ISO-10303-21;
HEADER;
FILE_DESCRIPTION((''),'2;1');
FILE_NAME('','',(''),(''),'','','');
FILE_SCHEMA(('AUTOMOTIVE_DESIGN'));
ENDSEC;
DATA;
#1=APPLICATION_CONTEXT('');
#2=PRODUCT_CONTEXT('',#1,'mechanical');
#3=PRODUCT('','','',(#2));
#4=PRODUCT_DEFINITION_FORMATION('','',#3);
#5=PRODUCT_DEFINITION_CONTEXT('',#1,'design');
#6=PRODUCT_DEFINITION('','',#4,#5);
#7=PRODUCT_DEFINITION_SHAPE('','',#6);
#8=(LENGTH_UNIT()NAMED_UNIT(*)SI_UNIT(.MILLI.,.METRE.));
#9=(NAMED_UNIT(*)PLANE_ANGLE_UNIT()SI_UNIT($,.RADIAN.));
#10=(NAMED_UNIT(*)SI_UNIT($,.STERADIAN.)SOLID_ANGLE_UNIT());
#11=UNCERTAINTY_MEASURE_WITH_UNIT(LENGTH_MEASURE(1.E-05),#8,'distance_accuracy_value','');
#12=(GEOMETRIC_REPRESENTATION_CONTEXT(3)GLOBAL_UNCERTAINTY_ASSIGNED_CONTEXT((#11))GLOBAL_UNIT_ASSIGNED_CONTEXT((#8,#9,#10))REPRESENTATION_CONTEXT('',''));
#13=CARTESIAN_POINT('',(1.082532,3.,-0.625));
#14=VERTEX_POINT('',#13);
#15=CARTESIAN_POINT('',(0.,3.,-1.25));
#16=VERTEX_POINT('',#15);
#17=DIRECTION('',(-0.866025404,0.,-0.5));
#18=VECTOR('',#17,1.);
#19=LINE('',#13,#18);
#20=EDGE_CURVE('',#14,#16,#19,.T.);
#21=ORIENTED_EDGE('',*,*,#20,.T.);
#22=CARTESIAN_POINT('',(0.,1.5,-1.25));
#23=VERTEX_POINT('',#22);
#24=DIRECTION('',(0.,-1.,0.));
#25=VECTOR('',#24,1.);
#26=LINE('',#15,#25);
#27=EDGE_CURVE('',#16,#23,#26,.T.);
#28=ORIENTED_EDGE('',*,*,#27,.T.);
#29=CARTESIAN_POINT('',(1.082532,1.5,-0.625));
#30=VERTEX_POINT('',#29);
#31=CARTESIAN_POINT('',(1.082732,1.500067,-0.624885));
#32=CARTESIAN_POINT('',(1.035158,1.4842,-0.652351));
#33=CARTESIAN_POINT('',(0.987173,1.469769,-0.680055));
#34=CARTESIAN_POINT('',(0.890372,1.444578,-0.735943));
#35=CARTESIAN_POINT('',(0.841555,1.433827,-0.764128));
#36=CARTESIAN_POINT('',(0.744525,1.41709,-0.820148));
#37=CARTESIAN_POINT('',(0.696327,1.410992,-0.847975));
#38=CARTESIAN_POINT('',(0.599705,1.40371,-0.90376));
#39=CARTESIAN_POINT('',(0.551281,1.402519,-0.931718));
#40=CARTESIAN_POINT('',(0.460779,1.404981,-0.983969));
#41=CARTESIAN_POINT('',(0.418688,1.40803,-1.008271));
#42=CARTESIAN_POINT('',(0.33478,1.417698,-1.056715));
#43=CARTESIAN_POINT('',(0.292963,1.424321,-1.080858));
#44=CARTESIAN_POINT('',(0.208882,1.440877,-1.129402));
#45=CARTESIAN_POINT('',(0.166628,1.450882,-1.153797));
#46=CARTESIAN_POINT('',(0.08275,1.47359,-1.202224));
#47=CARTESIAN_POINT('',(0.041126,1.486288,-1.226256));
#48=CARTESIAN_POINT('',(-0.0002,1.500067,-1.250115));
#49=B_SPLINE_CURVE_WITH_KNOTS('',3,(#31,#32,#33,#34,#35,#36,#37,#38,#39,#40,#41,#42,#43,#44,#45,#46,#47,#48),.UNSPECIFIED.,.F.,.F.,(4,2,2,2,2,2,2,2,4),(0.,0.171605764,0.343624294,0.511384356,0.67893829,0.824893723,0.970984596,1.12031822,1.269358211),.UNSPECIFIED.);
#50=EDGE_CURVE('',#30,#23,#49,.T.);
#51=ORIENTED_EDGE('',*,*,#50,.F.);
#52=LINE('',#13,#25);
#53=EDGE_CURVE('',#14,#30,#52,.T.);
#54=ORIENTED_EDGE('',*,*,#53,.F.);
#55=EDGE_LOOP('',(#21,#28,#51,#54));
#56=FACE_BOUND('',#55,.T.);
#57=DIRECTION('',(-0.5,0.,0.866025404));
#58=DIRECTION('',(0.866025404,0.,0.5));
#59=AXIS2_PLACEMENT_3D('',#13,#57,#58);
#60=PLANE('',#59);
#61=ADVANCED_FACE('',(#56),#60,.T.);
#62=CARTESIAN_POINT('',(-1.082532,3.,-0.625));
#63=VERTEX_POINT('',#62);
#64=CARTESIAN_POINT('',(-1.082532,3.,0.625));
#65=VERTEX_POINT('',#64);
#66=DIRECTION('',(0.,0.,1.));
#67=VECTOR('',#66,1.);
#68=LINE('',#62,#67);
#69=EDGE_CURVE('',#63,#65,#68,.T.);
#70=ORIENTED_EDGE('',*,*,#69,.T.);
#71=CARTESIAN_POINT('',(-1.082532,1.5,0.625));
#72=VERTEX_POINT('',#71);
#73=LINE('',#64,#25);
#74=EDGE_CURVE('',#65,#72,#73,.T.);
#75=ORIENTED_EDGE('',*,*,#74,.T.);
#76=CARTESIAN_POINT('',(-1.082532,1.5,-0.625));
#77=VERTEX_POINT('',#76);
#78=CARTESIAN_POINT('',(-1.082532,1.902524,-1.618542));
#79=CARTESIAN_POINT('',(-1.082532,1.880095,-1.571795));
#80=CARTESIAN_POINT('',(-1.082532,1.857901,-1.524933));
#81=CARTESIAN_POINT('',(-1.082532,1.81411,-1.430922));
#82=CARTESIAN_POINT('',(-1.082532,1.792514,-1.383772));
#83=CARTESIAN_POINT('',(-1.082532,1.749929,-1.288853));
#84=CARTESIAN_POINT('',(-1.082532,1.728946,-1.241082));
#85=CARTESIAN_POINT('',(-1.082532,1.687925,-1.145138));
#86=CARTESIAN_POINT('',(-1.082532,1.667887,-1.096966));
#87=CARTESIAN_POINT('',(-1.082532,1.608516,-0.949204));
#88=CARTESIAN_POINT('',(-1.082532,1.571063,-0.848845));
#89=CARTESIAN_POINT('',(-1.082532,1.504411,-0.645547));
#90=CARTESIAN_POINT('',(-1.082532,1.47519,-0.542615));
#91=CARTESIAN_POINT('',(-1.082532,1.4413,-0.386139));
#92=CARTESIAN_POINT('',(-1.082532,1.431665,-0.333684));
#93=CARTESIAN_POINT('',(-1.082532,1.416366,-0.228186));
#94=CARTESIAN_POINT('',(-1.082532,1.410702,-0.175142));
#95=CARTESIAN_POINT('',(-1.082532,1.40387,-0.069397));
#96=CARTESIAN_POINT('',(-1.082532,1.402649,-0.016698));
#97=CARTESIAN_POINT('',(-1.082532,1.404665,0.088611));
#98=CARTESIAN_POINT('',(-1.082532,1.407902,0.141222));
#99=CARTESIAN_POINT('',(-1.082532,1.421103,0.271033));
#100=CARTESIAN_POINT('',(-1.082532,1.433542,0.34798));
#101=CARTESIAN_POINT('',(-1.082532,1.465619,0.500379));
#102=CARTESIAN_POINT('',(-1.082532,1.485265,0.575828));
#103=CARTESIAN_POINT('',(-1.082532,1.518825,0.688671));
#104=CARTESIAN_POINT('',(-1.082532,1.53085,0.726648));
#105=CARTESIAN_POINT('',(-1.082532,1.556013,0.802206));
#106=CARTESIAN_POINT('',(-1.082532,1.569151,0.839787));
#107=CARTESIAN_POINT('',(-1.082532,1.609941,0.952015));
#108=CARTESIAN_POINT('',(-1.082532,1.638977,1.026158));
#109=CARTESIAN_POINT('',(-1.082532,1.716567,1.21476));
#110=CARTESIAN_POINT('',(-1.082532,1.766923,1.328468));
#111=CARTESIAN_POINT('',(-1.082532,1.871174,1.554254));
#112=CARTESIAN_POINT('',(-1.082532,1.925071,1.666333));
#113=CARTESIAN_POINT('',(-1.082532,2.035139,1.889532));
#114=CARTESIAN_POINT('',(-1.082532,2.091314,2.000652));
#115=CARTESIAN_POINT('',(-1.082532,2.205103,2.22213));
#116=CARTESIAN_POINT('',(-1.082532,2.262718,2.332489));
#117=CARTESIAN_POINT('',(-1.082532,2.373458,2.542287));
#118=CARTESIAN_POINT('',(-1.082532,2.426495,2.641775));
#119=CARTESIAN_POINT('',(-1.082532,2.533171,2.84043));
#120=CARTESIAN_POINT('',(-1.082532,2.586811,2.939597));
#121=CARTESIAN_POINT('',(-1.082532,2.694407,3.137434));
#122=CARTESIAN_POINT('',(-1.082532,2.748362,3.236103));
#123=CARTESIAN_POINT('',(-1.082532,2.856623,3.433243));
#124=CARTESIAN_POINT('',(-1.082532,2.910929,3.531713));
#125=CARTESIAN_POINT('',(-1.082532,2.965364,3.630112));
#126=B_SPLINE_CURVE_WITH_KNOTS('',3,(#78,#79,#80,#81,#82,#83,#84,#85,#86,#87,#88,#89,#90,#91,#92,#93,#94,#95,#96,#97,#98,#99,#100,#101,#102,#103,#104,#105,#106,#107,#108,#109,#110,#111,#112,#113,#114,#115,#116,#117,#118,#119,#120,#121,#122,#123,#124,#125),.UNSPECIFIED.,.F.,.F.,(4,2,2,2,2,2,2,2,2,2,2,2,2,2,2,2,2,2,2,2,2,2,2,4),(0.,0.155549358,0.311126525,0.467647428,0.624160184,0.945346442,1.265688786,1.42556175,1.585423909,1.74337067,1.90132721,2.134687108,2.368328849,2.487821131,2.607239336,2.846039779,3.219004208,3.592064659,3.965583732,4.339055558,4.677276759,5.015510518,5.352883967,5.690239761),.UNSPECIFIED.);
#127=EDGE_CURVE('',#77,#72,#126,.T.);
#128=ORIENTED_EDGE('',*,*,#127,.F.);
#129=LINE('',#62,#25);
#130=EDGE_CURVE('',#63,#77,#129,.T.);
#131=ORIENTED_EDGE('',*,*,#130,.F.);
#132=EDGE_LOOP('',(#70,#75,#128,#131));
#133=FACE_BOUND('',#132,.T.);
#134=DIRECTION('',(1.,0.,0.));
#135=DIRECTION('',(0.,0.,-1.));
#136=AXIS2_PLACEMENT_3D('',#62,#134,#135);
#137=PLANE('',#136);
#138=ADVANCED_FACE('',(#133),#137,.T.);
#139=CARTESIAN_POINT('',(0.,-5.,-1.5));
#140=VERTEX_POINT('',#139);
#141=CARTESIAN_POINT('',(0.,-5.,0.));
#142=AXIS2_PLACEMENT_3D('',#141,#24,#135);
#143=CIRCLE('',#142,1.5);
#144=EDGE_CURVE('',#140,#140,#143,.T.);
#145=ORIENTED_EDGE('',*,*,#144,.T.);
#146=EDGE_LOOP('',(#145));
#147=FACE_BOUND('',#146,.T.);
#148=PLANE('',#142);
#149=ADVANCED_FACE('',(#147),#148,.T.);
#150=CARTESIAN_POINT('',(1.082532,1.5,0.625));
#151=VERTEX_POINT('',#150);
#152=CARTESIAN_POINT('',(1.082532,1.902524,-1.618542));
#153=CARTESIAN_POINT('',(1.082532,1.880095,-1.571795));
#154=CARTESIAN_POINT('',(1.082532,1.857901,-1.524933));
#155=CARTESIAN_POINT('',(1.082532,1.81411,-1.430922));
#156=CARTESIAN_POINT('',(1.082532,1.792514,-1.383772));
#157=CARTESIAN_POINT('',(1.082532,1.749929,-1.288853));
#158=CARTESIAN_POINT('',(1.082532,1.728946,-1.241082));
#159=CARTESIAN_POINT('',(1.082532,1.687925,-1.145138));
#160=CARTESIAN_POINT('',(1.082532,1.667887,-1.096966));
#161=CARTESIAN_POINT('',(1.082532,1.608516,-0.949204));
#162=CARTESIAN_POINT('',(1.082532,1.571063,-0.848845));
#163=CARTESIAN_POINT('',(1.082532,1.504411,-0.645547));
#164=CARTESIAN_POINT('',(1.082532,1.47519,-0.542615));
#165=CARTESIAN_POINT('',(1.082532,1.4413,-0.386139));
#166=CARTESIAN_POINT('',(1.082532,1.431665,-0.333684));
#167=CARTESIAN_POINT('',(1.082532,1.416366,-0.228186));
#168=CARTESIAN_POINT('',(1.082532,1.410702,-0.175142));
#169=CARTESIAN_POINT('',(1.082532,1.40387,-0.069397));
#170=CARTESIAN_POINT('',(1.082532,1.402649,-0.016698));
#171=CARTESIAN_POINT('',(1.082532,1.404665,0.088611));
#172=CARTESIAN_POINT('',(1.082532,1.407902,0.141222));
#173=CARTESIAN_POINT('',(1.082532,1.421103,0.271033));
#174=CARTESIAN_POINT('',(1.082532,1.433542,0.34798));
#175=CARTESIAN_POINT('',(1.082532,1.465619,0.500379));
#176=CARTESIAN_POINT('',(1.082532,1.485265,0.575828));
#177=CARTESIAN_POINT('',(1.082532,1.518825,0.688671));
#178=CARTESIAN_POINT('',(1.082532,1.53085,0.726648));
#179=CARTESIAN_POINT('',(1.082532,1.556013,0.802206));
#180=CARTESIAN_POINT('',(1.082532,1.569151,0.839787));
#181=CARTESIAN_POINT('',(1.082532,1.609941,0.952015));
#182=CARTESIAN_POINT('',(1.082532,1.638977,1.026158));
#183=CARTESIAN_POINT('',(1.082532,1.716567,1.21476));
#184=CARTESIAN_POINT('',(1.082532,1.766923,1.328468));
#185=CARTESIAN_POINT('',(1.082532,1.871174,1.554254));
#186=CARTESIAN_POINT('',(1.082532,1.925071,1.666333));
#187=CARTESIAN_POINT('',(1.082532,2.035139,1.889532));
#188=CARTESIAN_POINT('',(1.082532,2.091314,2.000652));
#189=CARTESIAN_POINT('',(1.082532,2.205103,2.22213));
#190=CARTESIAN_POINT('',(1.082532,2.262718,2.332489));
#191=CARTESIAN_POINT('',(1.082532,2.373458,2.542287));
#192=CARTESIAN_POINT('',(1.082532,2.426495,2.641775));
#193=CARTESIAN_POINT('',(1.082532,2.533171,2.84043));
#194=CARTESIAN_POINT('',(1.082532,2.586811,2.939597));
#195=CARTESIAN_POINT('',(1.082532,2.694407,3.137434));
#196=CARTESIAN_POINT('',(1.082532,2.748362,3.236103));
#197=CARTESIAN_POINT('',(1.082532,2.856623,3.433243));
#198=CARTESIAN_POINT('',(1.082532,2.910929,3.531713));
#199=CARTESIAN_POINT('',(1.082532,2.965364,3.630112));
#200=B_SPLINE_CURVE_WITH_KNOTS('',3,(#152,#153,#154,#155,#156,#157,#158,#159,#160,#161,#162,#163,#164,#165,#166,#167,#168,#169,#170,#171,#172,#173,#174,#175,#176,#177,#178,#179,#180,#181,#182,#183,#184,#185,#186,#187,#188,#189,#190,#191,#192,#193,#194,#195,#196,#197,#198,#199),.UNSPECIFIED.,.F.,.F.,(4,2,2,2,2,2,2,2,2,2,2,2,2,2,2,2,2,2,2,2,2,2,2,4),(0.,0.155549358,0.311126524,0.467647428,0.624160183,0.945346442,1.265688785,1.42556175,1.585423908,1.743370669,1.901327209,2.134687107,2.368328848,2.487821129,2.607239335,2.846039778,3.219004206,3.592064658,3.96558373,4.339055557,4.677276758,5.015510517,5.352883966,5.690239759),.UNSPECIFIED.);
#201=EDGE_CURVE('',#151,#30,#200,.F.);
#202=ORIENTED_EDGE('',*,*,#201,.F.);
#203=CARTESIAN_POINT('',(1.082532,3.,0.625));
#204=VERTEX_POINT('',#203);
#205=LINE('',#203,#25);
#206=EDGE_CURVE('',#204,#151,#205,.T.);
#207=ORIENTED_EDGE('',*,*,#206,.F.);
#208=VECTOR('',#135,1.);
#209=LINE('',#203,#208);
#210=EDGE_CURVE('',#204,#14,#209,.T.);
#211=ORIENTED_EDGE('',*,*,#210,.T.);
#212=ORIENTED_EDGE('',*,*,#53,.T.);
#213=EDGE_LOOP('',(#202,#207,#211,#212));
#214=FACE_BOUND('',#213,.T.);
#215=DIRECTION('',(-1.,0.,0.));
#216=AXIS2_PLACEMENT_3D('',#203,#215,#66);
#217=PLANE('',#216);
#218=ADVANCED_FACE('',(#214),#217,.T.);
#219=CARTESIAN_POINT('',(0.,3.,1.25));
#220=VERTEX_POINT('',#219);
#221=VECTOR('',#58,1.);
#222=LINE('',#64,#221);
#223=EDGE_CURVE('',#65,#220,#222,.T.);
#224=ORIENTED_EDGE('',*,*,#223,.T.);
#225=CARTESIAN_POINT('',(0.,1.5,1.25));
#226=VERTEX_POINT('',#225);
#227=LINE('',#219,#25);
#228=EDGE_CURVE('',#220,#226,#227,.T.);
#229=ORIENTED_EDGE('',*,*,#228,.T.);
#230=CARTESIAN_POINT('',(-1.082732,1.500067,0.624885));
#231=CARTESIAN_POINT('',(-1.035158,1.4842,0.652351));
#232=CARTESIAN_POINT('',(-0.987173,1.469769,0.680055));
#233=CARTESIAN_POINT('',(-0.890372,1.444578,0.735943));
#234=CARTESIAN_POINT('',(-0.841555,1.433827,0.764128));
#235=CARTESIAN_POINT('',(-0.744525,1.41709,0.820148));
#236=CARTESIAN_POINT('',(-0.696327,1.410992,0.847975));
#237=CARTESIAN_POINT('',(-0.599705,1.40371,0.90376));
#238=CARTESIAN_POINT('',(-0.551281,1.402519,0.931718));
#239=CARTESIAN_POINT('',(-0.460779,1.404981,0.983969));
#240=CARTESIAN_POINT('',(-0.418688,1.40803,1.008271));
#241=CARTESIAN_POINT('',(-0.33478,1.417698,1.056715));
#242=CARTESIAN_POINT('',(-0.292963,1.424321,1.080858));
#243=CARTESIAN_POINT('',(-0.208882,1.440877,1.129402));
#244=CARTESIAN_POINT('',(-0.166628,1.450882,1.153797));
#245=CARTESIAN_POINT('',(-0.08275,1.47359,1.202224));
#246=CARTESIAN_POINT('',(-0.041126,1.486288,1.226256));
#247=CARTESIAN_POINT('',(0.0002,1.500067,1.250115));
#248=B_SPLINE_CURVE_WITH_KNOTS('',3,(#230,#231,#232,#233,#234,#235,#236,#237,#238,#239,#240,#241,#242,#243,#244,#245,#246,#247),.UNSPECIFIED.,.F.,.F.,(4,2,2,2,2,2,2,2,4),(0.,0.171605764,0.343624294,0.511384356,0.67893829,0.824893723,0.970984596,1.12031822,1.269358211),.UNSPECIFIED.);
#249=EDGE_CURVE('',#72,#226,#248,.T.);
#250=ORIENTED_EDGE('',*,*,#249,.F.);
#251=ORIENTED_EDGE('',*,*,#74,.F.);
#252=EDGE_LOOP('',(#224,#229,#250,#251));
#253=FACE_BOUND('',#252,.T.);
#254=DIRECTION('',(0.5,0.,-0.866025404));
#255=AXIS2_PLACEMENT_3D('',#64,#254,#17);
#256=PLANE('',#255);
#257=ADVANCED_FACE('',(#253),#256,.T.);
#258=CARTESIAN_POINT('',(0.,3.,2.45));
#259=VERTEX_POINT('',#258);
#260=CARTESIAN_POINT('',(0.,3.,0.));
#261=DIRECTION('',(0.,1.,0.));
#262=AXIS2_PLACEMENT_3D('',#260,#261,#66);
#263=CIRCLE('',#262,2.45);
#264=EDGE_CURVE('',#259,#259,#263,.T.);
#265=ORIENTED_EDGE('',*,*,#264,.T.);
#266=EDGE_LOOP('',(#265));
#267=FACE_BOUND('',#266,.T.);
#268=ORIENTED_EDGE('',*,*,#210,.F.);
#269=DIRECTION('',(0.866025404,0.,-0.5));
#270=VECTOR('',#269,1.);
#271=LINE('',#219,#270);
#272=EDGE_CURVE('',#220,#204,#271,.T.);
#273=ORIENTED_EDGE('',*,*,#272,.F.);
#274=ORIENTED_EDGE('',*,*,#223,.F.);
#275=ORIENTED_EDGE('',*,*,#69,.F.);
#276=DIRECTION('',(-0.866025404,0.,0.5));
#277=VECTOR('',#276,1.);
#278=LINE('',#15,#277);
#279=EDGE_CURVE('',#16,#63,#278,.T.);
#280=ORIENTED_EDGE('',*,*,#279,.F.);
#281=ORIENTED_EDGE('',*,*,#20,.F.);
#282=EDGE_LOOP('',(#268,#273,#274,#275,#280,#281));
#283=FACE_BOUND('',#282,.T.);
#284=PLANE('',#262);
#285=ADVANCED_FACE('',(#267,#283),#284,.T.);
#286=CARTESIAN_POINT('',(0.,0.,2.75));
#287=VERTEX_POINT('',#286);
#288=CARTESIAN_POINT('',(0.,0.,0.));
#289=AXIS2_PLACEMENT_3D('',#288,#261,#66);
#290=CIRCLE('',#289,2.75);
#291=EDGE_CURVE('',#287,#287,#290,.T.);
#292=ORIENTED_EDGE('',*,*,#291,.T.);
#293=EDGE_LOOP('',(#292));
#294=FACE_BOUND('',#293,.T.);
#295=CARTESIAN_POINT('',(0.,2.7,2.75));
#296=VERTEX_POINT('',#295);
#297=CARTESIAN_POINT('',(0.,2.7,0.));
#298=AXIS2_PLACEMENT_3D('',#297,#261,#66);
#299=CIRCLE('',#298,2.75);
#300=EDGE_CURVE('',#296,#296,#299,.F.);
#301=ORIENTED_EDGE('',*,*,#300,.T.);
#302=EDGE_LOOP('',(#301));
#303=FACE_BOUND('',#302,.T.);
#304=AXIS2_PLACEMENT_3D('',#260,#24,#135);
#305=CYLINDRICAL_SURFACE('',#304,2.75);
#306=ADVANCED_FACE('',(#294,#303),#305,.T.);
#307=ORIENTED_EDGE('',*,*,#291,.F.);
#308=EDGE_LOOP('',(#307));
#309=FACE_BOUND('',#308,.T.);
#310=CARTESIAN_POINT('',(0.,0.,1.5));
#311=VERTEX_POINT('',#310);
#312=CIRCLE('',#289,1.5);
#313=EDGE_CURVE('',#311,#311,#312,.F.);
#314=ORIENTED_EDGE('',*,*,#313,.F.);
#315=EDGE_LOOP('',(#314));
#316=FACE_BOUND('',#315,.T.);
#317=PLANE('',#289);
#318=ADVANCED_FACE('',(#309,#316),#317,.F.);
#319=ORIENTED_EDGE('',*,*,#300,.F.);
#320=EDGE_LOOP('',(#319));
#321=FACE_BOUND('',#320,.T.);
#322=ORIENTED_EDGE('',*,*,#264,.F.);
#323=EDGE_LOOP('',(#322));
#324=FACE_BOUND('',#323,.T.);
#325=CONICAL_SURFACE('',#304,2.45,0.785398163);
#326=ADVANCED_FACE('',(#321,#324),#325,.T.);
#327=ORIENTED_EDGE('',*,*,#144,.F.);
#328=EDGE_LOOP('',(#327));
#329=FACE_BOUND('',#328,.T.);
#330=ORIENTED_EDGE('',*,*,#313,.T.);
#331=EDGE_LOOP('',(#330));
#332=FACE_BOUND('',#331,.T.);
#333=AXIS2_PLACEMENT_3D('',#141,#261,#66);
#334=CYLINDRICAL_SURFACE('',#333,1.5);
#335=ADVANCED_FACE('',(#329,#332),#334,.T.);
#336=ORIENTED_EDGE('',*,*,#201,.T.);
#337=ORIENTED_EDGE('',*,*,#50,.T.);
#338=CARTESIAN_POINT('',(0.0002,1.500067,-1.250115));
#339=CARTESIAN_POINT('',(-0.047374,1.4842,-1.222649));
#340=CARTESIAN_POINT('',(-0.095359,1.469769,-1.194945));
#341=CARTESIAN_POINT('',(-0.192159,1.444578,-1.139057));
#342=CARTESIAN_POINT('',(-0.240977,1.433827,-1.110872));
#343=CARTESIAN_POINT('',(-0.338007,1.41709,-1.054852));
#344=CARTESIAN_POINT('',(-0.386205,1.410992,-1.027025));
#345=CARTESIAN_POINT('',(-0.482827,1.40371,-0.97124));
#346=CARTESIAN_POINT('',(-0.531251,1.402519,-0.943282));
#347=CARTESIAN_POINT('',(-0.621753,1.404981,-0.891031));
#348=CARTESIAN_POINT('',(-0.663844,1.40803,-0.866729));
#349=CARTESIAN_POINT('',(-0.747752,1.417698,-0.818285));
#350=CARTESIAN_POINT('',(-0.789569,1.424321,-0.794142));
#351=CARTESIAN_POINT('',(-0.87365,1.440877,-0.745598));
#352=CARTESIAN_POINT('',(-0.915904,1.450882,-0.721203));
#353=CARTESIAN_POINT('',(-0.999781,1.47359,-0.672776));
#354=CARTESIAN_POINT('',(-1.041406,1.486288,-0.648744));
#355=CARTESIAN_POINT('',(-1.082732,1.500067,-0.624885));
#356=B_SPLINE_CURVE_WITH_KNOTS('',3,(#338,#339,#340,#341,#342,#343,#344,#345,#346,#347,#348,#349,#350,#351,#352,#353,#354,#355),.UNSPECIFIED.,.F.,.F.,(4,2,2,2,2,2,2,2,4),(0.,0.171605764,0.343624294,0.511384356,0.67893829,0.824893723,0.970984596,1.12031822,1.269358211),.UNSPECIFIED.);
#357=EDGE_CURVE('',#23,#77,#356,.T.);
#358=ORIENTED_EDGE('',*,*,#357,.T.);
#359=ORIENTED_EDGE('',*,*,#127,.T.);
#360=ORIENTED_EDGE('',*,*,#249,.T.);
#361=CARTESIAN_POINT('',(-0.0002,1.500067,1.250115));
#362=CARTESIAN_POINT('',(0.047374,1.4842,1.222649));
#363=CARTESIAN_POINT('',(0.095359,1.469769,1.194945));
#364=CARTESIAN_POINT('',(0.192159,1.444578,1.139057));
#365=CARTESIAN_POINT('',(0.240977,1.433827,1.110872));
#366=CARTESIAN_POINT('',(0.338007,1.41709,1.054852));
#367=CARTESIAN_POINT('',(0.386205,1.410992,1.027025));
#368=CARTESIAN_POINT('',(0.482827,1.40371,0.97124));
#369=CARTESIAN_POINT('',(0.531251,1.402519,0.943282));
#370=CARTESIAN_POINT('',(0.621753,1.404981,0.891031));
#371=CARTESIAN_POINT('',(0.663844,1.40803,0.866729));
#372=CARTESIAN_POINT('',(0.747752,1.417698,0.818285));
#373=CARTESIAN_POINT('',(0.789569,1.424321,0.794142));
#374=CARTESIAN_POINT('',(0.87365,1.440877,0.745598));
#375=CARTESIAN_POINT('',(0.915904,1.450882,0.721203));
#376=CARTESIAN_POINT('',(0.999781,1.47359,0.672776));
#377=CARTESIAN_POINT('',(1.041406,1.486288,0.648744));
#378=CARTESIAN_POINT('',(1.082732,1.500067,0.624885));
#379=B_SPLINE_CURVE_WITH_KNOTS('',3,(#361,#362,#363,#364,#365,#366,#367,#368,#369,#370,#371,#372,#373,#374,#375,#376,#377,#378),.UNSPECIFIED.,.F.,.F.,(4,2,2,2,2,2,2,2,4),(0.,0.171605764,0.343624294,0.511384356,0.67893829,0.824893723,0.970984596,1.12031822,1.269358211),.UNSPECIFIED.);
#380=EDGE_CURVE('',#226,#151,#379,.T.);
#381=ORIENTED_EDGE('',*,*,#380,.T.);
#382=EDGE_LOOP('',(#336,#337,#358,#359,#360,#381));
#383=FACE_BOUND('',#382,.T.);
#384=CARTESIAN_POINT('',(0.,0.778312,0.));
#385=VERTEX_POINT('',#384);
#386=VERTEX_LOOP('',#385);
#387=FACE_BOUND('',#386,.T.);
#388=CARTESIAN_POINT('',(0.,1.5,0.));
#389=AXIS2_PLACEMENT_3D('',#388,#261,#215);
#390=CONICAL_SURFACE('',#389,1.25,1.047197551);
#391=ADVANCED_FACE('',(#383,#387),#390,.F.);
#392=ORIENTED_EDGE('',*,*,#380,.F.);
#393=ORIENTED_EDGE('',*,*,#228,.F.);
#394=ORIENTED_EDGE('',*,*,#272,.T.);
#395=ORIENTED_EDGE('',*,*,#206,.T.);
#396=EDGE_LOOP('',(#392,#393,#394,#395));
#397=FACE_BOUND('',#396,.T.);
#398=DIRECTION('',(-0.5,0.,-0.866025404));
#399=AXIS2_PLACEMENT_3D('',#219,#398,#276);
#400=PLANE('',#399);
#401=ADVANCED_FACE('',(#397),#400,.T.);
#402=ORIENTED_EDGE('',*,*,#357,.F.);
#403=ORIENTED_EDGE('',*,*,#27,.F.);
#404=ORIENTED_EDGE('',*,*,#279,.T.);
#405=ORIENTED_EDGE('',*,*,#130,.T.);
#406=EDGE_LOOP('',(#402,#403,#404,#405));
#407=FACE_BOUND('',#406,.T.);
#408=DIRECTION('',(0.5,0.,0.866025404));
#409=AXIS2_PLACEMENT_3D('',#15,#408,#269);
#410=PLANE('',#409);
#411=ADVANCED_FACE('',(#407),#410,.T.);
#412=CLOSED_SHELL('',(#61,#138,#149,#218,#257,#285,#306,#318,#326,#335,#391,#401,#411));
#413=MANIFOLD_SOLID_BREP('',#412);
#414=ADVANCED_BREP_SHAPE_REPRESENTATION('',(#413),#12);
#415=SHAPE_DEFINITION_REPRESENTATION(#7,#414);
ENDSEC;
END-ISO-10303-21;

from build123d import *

# Parameters (mm, degrees)
CROQUIS4_R              = 2.75
SALIENTE_EXTRUIR3_DEPTH = 3
CHAFL_N2_SIZE           = 0.3
CROQUIS6_R              = 1.5
SALIENTE_EXTRUIR4_DEPTH = 5


with BuildPart() as part:
    # Croquis4 → Saliente-Extruir3 (new body)
    with BuildSketch(Plane(origin=(0, 0, 0), x_dir=(1, 0, 0), z_dir=(0, 1, 0))):
        Circle(CROQUIS4_R)
        Polygon((0, 1.25), (-1.082531755, 0.625), (-1.082531755, -0.625), (0, -1.25), (1.082531755, -0.625), (1.082531755, 0.625), align=None, mode=Mode.SUBTRACT)
    extrude(amount=SALIENTE_EXTRUIR3_DEPTH)

    # Chaflán2
    chafl_n2_edges = [part.edges().sort_by_distance(p)[0] for p in [
        (-2.75, 3, 0),
    ]]
    chamfer(chafl_n2_edges, length=CHAFL_N2_SIZE)

    # Croquis5 → Revolución2 (revolve)
    with BuildSketch(Plane.XY):
        Polygon((0, 0), (0, 0.778312164), (1.25, 1.5), (2.75, 1.5), (2.75, 0), align=None)
    revolve(axis=Axis((0, 0, 0), (0, 1, 0)))

    # Croquis6 → Saliente-Extruir4 (add)
    with BuildSketch(Plane.XZ):
        Circle(CROQUIS6_R)
    extrude(amount=SALIENTE_EXTRUIR4_DEPTH)


solid = part.part
